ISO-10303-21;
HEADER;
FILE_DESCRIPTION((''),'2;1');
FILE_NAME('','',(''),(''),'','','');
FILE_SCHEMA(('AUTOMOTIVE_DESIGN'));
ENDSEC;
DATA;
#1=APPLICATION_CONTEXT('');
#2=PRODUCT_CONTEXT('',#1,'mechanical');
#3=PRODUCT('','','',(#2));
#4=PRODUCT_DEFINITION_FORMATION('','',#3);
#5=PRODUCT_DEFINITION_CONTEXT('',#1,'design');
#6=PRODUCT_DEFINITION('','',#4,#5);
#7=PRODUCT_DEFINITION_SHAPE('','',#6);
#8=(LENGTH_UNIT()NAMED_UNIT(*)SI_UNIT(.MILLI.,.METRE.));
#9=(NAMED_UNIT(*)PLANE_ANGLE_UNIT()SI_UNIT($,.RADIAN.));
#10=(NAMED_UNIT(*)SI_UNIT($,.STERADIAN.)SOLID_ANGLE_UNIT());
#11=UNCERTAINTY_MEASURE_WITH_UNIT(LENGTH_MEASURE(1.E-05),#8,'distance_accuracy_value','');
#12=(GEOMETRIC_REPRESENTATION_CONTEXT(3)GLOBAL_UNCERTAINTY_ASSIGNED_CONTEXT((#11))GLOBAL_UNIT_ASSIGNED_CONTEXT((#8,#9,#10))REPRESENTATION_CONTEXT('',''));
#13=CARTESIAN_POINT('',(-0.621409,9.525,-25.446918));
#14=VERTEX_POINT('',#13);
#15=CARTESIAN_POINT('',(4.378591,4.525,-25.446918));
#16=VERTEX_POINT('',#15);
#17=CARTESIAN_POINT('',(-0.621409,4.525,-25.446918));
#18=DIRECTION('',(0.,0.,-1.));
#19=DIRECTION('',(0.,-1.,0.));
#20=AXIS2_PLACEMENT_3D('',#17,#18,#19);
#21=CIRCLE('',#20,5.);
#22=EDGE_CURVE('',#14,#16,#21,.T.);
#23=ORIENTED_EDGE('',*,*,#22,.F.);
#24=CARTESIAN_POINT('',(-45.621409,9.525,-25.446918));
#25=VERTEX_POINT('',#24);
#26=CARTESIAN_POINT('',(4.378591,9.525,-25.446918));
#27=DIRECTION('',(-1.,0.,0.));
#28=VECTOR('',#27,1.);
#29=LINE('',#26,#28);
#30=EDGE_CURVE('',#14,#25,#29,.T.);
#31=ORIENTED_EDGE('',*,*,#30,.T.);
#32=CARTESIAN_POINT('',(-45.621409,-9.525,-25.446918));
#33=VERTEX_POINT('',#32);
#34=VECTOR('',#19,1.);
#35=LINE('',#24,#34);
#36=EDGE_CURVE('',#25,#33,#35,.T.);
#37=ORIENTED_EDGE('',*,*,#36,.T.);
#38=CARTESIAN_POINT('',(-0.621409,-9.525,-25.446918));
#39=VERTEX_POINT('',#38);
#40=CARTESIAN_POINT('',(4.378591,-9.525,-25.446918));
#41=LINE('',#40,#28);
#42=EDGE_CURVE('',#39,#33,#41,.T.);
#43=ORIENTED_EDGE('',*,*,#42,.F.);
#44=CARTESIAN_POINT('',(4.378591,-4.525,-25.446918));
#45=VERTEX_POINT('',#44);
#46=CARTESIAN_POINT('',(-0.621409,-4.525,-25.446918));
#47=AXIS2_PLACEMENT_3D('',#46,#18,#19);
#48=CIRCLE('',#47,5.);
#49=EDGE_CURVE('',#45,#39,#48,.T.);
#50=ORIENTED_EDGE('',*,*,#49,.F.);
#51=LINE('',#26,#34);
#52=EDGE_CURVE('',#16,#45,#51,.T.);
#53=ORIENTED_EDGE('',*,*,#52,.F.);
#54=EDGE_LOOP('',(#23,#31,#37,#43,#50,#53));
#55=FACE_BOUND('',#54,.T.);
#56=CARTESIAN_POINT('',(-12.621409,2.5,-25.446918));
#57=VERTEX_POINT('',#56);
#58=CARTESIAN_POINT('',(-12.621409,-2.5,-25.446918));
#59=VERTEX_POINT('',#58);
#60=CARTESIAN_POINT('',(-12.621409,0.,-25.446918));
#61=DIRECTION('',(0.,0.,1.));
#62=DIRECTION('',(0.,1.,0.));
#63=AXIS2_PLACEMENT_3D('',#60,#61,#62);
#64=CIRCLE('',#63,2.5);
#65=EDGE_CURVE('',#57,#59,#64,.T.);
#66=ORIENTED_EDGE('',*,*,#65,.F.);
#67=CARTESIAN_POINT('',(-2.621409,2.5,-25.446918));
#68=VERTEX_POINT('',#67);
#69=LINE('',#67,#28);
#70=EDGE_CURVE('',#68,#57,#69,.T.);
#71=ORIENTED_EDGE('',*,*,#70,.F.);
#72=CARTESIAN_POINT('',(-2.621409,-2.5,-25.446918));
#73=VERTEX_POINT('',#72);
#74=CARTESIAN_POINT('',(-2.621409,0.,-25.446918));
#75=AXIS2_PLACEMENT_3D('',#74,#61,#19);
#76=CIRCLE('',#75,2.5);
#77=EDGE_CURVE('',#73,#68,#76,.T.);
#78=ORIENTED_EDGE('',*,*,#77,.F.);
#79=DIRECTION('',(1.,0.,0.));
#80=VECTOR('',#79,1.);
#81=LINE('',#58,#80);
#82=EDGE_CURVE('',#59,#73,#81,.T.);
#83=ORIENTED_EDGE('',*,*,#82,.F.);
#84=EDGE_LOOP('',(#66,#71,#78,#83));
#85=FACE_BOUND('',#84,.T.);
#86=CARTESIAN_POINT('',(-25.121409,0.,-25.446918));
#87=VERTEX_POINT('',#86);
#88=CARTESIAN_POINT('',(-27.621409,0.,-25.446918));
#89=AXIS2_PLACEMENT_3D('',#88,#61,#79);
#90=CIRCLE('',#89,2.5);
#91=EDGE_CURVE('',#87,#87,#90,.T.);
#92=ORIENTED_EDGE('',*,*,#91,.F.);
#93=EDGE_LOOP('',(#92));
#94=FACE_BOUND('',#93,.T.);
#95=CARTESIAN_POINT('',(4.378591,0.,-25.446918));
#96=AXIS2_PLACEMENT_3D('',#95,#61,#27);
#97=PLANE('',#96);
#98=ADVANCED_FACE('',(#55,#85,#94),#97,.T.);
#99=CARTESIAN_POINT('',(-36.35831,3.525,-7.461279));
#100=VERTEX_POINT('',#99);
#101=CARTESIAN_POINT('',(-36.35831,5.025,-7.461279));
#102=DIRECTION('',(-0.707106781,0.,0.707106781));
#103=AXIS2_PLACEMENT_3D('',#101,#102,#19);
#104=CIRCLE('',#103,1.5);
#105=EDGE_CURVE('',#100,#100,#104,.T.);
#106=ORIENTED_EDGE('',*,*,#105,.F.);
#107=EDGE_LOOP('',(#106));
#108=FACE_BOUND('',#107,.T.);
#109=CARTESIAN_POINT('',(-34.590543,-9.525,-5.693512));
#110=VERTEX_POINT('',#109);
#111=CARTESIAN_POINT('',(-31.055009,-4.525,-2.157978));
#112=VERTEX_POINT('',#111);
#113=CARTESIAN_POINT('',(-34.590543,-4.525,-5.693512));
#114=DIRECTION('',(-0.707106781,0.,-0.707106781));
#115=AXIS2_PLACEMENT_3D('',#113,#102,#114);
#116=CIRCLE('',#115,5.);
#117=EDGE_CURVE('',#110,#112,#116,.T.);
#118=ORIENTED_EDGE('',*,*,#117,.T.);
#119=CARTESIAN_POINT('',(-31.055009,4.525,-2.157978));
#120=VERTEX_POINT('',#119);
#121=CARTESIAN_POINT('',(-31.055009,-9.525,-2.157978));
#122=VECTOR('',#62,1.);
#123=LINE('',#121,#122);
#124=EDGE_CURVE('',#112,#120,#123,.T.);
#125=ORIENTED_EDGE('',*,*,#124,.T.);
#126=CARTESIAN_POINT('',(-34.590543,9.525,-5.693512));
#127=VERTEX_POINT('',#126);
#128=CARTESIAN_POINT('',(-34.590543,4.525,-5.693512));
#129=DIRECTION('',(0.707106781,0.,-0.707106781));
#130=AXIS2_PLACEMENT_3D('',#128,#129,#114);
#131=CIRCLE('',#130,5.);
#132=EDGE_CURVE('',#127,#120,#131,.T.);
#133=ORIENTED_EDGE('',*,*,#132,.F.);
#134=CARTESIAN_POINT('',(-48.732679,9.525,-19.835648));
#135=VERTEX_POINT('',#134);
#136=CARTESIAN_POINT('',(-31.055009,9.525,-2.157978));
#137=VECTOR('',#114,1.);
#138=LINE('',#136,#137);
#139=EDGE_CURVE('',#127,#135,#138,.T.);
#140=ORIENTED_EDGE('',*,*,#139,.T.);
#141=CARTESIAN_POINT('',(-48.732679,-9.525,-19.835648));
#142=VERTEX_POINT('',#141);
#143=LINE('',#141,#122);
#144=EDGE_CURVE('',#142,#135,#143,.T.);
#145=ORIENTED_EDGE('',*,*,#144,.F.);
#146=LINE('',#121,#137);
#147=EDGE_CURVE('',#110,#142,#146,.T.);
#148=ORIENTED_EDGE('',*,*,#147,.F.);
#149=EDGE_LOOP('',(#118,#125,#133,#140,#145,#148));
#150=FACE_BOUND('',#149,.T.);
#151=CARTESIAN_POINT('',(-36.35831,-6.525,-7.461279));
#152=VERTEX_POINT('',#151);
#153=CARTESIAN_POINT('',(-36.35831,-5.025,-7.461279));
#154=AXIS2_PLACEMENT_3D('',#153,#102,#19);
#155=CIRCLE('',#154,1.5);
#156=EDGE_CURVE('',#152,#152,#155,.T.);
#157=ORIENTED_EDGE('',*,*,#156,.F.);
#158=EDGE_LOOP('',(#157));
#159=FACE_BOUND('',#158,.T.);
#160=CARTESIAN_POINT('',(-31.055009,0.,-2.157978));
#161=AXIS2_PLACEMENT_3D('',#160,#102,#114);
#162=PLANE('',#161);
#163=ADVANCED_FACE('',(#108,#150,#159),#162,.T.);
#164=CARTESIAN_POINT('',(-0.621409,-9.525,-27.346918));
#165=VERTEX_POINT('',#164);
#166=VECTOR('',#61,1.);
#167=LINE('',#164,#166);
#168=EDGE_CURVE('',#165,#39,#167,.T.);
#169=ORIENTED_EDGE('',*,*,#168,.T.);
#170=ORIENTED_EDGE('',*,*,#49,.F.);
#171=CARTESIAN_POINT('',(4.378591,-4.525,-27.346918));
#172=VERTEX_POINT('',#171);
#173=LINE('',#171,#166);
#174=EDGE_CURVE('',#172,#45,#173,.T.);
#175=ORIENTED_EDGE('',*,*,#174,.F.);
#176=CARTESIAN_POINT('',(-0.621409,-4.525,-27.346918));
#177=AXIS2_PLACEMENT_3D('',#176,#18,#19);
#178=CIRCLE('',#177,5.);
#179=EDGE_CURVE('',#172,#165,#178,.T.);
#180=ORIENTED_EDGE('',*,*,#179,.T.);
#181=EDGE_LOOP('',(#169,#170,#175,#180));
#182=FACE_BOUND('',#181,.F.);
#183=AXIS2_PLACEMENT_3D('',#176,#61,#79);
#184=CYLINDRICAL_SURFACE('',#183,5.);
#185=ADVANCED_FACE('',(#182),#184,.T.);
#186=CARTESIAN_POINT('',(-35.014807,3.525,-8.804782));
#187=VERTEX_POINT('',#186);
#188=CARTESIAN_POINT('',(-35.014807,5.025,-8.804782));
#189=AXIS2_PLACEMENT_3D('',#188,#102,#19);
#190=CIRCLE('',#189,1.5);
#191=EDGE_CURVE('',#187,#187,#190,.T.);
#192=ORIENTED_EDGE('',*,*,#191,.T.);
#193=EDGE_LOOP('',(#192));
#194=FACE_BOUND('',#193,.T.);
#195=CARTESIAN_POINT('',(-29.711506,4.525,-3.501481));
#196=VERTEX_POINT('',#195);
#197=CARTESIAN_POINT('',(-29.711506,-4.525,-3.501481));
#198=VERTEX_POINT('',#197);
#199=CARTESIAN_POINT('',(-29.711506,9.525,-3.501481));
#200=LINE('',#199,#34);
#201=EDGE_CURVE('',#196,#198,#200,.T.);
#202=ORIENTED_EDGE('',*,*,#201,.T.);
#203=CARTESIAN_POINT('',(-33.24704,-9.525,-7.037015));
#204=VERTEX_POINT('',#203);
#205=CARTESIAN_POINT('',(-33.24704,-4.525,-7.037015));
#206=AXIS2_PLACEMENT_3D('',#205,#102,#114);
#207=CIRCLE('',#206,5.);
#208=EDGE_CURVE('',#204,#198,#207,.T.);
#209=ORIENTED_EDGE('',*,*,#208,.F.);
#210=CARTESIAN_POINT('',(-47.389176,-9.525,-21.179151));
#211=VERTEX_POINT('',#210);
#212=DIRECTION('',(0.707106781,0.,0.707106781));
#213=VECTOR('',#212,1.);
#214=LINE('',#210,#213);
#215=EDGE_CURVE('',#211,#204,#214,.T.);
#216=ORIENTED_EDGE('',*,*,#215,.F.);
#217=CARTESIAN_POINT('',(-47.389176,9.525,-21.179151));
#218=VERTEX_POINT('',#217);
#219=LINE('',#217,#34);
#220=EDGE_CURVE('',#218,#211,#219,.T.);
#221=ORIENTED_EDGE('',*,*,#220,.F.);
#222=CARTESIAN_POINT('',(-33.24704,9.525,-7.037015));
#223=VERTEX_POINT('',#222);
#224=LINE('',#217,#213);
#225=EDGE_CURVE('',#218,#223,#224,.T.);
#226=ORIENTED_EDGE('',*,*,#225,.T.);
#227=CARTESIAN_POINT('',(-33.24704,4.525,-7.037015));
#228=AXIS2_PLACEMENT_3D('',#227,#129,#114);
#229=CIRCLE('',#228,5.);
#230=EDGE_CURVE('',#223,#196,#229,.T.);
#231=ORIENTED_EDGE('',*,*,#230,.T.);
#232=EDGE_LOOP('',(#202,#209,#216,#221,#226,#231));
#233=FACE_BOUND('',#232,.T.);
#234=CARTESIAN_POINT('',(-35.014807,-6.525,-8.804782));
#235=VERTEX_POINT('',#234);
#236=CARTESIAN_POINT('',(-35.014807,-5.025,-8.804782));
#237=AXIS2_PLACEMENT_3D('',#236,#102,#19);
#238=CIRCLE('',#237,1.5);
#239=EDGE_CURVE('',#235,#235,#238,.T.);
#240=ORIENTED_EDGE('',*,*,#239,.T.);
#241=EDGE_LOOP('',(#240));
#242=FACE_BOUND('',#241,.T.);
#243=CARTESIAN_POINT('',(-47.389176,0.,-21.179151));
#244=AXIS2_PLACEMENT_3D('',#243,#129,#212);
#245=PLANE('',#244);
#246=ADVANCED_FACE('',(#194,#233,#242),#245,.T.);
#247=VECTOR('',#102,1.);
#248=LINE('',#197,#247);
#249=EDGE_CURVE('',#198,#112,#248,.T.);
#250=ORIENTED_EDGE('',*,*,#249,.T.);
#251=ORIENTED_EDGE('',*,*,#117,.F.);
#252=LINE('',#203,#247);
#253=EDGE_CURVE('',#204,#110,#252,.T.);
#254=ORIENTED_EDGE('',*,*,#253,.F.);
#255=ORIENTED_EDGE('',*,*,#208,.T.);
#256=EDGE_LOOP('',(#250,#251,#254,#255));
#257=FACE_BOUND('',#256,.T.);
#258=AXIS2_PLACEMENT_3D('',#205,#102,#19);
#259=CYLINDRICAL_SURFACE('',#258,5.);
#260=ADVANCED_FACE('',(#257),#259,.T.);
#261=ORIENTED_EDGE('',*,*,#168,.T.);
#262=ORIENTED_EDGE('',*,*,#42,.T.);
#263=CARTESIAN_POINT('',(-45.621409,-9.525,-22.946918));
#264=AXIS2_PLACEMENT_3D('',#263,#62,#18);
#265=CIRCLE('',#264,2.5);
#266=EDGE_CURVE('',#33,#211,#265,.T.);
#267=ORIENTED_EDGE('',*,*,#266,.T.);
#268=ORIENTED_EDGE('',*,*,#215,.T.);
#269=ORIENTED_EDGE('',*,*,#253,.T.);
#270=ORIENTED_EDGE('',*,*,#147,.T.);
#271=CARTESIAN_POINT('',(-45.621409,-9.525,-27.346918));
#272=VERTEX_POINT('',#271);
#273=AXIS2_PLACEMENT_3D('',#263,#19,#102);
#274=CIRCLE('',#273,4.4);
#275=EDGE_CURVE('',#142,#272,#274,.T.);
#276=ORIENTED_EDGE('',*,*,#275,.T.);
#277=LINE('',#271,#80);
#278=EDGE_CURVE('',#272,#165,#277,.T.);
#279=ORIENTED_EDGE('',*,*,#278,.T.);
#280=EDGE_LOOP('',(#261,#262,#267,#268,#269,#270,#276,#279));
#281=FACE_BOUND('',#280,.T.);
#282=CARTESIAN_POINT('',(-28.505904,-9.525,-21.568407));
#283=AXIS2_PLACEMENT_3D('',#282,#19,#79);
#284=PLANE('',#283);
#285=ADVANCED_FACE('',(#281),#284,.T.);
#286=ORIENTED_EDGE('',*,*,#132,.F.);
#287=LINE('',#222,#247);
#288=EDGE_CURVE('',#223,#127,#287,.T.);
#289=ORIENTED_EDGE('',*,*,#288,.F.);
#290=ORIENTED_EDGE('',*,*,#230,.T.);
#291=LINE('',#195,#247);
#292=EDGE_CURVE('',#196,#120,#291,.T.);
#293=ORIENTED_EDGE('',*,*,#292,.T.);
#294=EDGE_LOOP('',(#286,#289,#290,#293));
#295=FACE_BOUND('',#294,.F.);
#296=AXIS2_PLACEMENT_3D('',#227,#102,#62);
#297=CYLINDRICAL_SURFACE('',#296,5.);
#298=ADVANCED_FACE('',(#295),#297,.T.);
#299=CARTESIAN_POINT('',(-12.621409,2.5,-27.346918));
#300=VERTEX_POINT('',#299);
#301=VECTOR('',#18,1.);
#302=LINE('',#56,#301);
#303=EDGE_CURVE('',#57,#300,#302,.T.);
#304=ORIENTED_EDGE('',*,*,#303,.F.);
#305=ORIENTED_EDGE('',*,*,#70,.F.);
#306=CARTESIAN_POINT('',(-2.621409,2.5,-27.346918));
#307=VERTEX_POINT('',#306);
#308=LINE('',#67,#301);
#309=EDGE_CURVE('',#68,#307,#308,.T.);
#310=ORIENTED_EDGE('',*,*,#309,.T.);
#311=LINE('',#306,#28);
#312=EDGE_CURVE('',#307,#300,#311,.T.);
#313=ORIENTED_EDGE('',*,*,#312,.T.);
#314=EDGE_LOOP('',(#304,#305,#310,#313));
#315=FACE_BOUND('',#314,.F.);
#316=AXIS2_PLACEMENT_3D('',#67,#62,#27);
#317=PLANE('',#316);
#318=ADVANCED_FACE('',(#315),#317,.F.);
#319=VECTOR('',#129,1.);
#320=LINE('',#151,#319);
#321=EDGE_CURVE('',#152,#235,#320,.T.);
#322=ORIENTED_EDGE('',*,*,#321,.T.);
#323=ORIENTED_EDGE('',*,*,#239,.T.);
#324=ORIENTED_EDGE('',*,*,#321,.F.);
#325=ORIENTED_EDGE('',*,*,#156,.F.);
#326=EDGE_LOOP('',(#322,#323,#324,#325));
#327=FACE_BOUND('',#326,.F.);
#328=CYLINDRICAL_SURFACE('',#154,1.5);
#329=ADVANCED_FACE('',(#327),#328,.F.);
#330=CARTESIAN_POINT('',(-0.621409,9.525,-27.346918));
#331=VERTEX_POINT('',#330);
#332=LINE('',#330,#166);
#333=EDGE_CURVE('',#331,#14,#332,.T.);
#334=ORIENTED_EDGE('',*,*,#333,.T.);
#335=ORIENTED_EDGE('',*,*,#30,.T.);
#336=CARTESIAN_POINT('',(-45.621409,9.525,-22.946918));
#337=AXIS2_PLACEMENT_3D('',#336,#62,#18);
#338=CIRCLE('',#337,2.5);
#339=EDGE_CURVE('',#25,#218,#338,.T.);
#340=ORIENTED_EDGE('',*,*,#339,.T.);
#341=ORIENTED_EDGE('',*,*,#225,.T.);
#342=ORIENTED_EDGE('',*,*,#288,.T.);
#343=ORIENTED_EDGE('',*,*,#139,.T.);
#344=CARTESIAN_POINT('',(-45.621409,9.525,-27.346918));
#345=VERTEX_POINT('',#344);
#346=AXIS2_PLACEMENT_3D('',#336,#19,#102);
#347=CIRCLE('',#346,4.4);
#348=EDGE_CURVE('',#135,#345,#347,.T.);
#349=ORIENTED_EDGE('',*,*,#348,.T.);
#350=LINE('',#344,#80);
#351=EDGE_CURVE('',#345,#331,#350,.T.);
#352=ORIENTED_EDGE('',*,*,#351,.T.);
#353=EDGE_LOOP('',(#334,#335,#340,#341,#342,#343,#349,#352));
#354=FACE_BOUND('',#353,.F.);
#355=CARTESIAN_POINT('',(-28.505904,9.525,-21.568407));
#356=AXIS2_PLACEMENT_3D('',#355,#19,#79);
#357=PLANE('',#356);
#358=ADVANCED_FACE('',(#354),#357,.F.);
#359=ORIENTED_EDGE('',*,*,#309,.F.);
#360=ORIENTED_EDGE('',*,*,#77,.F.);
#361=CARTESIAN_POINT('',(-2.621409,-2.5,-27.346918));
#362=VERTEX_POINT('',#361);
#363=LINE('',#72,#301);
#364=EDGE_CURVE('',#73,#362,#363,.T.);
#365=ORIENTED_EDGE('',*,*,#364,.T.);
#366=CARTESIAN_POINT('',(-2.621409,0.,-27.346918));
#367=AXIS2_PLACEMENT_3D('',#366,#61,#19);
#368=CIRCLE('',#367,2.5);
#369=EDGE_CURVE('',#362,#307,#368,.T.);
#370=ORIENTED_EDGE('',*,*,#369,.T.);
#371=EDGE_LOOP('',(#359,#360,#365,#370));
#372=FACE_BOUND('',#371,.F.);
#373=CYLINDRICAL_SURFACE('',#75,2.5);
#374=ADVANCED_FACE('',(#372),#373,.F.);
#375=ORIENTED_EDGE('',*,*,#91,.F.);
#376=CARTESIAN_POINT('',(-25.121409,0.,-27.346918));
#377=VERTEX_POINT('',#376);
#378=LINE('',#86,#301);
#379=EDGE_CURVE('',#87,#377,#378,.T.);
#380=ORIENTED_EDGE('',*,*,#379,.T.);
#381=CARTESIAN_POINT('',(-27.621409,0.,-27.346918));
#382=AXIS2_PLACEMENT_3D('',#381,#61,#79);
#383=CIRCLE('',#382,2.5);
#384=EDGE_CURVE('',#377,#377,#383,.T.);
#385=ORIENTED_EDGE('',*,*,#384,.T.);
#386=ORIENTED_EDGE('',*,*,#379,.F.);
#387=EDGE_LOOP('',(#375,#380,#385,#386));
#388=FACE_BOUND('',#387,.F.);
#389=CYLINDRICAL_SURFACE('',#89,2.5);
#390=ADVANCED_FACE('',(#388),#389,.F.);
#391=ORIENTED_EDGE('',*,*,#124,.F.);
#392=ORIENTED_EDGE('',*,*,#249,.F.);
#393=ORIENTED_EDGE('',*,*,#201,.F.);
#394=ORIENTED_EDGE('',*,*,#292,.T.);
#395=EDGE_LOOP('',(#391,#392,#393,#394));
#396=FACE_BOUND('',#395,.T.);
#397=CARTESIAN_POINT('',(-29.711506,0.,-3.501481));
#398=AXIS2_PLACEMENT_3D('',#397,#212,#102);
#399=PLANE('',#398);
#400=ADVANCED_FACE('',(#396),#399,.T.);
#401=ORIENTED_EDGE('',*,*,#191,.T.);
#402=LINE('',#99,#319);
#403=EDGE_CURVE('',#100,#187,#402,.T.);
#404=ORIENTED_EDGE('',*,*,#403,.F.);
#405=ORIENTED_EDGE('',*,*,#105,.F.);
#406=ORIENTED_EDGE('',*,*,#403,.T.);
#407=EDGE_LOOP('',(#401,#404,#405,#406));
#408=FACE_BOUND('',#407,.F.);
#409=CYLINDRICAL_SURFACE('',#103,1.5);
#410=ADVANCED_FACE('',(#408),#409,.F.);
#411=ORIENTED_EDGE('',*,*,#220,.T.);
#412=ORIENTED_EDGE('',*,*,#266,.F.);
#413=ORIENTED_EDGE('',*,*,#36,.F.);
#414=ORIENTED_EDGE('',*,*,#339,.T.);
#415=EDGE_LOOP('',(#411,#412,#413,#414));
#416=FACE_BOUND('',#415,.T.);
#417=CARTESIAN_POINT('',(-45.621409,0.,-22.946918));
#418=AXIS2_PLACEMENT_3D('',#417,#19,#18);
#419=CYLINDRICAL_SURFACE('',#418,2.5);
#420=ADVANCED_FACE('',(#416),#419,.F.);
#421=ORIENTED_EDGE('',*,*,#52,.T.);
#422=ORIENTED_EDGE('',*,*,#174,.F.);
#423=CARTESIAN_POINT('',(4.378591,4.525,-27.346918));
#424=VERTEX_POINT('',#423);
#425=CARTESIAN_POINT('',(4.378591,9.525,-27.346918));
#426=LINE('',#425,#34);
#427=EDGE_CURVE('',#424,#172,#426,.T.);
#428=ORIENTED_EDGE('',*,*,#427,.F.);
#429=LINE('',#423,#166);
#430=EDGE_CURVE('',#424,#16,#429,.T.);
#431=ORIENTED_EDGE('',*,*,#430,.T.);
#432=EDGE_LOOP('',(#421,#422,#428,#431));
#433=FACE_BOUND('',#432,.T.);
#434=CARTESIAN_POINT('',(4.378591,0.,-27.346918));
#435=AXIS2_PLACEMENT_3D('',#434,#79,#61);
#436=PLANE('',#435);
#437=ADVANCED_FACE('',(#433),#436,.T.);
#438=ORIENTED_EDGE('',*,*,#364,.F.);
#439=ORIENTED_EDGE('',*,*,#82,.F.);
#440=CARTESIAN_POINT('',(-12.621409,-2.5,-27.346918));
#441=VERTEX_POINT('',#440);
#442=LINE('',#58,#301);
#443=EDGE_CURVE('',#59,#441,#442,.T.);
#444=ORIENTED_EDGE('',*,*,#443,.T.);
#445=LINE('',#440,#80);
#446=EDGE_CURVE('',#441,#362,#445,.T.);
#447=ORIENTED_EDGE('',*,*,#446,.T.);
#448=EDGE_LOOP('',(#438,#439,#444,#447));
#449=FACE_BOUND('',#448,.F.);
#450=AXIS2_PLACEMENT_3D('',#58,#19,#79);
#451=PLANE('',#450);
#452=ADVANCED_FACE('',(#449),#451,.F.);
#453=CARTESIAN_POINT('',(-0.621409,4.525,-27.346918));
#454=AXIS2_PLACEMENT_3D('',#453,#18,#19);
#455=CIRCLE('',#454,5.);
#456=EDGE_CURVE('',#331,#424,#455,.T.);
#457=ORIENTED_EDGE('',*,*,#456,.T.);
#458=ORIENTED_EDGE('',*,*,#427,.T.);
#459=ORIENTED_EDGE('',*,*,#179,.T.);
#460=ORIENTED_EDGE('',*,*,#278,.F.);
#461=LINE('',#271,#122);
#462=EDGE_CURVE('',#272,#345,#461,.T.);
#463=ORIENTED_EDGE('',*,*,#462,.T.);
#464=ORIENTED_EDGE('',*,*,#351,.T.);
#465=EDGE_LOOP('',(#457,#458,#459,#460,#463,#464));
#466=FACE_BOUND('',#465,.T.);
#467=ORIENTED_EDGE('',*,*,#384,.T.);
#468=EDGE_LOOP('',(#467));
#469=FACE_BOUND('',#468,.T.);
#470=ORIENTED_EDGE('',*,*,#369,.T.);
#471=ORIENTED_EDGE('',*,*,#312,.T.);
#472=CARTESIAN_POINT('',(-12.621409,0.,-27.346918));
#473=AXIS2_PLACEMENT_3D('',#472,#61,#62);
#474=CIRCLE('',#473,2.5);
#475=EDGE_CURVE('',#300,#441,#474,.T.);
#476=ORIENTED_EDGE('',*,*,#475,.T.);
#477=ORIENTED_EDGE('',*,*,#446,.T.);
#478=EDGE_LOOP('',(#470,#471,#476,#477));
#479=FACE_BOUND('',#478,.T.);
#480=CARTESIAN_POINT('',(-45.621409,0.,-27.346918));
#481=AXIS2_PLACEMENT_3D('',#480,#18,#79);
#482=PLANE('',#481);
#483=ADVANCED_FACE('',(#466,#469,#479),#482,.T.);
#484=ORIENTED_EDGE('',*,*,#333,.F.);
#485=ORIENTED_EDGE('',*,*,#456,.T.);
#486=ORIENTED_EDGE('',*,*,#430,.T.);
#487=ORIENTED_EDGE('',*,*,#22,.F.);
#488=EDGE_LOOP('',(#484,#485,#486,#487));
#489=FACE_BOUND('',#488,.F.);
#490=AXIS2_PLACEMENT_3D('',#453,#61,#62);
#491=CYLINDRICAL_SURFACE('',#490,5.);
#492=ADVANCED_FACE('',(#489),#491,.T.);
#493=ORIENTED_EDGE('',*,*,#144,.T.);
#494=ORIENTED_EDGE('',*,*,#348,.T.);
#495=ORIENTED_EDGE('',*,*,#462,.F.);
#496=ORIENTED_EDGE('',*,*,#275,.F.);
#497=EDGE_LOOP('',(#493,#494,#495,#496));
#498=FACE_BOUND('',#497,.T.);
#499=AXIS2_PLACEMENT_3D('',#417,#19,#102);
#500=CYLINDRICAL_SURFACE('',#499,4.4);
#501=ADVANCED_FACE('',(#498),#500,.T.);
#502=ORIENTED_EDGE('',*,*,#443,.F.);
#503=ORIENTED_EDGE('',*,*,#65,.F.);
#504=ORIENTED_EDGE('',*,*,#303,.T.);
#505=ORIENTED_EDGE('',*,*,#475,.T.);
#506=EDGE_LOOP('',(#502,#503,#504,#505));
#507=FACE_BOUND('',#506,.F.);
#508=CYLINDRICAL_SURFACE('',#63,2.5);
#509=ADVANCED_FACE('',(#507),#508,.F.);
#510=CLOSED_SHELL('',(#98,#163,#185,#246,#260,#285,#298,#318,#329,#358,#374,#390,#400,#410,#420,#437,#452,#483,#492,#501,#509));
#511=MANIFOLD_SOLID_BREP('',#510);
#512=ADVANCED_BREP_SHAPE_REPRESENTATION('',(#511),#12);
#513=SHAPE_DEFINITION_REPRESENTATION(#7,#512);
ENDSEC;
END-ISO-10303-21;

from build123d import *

# Parameters (mm, degrees)
F1_DEPTH = 9.525
F2_R     = 1.5
F3_DEPTH = 1.9
F4_R     = 2.5
F5_DEPTH = 1.9
F6_R     = 5


with BuildPart() as f1:
    # F0 (on Front) → F1 (new body, symmetric)
    with BuildSketch(Plane.XZ):
        with BuildLine():
            Line((-45.6214089087, -27.3469178617), (4.3785910913, -27.3469178617))
            Line((4.3785910913, -27.3469178617), (4.3785910913, -25.4469178617))
            Line((4.3785910913, -25.4469178617), (-45.6214089087, -25.4469178617))
            ThreePointArc((-45.6214089087, -25.4469178617), (-47.9311077399, -23.9036264426), (-47.3891758616, -21.1791509087))
            Line((-47.3891758616, -21.1791509087), (-29.711506332, -3.5014813791))
            Line((-29.711506332, -3.5014813791), (-31.0550092162, -2.1579784948))
            Line((-31.0550092162, -2.1579784948), (-48.7326787459, -19.8356480245))
            ThreePointArc((-48.7326787459, -19.8356480245), (-49.6864788517, -24.6307249641), (-45.6214089087, -27.3469178617))
        make_face()
    extrude(amount=F1_DEPTH, both=True)

    # F2 (on face) → F3 (cut, through all)
    with BuildSketch(Plane(origin=(-14.4485153607, 0, 14.4485153607), x_dir=(0, -1, 0), z_dir=(-0.7071067812, 0, 0.7071067812))):
        with Locations((-5.025, -30.9851288339)):
            Circle(F2_R)
        with Locations((5.025, -30.9851288339)):
            Circle(F2_R)
    extrude(amount=-F3_DEPTH, mode=Mode.SUBTRACT)

    # F4 (on face) → F5 (cut, through all)
    with BuildSketch(Plane.XY.offset(-25.4469178617)):
        with Locations((-27.6214089087, 0)):
            Circle(F4_R)
        with BuildLine():
            Line((-2.6214089087, 2.5), (-12.6214089087, 2.5))
            ThreePointArc((-12.6214089087, 2.5), (-15.1214089087, 0), (-12.6214089087, -2.5))
            Line((-12.6214089087, -2.5), (-2.6214089087, -2.5))
            ThreePointArc((-2.6214089087, -2.5), (-0.1214089087, 0), (-2.6214089087, 2.5))
        make_face()
    extrude(amount=-F5_DEPTH, mode=Mode.SUBTRACT)

    # F6
    f6_edges = [f1.edges().sort_by_distance(p)[0] for p in [
        (4.378591, -9.525, -26.396918),
        (4.378591, 9.525, -26.396918),
        (-30.383258, 9.525, -2.82973),
        (-30.383258, -9.525, -2.82973),
    ]]
    fillet(f6_edges, radius=F6_R)


solid = f1.part
